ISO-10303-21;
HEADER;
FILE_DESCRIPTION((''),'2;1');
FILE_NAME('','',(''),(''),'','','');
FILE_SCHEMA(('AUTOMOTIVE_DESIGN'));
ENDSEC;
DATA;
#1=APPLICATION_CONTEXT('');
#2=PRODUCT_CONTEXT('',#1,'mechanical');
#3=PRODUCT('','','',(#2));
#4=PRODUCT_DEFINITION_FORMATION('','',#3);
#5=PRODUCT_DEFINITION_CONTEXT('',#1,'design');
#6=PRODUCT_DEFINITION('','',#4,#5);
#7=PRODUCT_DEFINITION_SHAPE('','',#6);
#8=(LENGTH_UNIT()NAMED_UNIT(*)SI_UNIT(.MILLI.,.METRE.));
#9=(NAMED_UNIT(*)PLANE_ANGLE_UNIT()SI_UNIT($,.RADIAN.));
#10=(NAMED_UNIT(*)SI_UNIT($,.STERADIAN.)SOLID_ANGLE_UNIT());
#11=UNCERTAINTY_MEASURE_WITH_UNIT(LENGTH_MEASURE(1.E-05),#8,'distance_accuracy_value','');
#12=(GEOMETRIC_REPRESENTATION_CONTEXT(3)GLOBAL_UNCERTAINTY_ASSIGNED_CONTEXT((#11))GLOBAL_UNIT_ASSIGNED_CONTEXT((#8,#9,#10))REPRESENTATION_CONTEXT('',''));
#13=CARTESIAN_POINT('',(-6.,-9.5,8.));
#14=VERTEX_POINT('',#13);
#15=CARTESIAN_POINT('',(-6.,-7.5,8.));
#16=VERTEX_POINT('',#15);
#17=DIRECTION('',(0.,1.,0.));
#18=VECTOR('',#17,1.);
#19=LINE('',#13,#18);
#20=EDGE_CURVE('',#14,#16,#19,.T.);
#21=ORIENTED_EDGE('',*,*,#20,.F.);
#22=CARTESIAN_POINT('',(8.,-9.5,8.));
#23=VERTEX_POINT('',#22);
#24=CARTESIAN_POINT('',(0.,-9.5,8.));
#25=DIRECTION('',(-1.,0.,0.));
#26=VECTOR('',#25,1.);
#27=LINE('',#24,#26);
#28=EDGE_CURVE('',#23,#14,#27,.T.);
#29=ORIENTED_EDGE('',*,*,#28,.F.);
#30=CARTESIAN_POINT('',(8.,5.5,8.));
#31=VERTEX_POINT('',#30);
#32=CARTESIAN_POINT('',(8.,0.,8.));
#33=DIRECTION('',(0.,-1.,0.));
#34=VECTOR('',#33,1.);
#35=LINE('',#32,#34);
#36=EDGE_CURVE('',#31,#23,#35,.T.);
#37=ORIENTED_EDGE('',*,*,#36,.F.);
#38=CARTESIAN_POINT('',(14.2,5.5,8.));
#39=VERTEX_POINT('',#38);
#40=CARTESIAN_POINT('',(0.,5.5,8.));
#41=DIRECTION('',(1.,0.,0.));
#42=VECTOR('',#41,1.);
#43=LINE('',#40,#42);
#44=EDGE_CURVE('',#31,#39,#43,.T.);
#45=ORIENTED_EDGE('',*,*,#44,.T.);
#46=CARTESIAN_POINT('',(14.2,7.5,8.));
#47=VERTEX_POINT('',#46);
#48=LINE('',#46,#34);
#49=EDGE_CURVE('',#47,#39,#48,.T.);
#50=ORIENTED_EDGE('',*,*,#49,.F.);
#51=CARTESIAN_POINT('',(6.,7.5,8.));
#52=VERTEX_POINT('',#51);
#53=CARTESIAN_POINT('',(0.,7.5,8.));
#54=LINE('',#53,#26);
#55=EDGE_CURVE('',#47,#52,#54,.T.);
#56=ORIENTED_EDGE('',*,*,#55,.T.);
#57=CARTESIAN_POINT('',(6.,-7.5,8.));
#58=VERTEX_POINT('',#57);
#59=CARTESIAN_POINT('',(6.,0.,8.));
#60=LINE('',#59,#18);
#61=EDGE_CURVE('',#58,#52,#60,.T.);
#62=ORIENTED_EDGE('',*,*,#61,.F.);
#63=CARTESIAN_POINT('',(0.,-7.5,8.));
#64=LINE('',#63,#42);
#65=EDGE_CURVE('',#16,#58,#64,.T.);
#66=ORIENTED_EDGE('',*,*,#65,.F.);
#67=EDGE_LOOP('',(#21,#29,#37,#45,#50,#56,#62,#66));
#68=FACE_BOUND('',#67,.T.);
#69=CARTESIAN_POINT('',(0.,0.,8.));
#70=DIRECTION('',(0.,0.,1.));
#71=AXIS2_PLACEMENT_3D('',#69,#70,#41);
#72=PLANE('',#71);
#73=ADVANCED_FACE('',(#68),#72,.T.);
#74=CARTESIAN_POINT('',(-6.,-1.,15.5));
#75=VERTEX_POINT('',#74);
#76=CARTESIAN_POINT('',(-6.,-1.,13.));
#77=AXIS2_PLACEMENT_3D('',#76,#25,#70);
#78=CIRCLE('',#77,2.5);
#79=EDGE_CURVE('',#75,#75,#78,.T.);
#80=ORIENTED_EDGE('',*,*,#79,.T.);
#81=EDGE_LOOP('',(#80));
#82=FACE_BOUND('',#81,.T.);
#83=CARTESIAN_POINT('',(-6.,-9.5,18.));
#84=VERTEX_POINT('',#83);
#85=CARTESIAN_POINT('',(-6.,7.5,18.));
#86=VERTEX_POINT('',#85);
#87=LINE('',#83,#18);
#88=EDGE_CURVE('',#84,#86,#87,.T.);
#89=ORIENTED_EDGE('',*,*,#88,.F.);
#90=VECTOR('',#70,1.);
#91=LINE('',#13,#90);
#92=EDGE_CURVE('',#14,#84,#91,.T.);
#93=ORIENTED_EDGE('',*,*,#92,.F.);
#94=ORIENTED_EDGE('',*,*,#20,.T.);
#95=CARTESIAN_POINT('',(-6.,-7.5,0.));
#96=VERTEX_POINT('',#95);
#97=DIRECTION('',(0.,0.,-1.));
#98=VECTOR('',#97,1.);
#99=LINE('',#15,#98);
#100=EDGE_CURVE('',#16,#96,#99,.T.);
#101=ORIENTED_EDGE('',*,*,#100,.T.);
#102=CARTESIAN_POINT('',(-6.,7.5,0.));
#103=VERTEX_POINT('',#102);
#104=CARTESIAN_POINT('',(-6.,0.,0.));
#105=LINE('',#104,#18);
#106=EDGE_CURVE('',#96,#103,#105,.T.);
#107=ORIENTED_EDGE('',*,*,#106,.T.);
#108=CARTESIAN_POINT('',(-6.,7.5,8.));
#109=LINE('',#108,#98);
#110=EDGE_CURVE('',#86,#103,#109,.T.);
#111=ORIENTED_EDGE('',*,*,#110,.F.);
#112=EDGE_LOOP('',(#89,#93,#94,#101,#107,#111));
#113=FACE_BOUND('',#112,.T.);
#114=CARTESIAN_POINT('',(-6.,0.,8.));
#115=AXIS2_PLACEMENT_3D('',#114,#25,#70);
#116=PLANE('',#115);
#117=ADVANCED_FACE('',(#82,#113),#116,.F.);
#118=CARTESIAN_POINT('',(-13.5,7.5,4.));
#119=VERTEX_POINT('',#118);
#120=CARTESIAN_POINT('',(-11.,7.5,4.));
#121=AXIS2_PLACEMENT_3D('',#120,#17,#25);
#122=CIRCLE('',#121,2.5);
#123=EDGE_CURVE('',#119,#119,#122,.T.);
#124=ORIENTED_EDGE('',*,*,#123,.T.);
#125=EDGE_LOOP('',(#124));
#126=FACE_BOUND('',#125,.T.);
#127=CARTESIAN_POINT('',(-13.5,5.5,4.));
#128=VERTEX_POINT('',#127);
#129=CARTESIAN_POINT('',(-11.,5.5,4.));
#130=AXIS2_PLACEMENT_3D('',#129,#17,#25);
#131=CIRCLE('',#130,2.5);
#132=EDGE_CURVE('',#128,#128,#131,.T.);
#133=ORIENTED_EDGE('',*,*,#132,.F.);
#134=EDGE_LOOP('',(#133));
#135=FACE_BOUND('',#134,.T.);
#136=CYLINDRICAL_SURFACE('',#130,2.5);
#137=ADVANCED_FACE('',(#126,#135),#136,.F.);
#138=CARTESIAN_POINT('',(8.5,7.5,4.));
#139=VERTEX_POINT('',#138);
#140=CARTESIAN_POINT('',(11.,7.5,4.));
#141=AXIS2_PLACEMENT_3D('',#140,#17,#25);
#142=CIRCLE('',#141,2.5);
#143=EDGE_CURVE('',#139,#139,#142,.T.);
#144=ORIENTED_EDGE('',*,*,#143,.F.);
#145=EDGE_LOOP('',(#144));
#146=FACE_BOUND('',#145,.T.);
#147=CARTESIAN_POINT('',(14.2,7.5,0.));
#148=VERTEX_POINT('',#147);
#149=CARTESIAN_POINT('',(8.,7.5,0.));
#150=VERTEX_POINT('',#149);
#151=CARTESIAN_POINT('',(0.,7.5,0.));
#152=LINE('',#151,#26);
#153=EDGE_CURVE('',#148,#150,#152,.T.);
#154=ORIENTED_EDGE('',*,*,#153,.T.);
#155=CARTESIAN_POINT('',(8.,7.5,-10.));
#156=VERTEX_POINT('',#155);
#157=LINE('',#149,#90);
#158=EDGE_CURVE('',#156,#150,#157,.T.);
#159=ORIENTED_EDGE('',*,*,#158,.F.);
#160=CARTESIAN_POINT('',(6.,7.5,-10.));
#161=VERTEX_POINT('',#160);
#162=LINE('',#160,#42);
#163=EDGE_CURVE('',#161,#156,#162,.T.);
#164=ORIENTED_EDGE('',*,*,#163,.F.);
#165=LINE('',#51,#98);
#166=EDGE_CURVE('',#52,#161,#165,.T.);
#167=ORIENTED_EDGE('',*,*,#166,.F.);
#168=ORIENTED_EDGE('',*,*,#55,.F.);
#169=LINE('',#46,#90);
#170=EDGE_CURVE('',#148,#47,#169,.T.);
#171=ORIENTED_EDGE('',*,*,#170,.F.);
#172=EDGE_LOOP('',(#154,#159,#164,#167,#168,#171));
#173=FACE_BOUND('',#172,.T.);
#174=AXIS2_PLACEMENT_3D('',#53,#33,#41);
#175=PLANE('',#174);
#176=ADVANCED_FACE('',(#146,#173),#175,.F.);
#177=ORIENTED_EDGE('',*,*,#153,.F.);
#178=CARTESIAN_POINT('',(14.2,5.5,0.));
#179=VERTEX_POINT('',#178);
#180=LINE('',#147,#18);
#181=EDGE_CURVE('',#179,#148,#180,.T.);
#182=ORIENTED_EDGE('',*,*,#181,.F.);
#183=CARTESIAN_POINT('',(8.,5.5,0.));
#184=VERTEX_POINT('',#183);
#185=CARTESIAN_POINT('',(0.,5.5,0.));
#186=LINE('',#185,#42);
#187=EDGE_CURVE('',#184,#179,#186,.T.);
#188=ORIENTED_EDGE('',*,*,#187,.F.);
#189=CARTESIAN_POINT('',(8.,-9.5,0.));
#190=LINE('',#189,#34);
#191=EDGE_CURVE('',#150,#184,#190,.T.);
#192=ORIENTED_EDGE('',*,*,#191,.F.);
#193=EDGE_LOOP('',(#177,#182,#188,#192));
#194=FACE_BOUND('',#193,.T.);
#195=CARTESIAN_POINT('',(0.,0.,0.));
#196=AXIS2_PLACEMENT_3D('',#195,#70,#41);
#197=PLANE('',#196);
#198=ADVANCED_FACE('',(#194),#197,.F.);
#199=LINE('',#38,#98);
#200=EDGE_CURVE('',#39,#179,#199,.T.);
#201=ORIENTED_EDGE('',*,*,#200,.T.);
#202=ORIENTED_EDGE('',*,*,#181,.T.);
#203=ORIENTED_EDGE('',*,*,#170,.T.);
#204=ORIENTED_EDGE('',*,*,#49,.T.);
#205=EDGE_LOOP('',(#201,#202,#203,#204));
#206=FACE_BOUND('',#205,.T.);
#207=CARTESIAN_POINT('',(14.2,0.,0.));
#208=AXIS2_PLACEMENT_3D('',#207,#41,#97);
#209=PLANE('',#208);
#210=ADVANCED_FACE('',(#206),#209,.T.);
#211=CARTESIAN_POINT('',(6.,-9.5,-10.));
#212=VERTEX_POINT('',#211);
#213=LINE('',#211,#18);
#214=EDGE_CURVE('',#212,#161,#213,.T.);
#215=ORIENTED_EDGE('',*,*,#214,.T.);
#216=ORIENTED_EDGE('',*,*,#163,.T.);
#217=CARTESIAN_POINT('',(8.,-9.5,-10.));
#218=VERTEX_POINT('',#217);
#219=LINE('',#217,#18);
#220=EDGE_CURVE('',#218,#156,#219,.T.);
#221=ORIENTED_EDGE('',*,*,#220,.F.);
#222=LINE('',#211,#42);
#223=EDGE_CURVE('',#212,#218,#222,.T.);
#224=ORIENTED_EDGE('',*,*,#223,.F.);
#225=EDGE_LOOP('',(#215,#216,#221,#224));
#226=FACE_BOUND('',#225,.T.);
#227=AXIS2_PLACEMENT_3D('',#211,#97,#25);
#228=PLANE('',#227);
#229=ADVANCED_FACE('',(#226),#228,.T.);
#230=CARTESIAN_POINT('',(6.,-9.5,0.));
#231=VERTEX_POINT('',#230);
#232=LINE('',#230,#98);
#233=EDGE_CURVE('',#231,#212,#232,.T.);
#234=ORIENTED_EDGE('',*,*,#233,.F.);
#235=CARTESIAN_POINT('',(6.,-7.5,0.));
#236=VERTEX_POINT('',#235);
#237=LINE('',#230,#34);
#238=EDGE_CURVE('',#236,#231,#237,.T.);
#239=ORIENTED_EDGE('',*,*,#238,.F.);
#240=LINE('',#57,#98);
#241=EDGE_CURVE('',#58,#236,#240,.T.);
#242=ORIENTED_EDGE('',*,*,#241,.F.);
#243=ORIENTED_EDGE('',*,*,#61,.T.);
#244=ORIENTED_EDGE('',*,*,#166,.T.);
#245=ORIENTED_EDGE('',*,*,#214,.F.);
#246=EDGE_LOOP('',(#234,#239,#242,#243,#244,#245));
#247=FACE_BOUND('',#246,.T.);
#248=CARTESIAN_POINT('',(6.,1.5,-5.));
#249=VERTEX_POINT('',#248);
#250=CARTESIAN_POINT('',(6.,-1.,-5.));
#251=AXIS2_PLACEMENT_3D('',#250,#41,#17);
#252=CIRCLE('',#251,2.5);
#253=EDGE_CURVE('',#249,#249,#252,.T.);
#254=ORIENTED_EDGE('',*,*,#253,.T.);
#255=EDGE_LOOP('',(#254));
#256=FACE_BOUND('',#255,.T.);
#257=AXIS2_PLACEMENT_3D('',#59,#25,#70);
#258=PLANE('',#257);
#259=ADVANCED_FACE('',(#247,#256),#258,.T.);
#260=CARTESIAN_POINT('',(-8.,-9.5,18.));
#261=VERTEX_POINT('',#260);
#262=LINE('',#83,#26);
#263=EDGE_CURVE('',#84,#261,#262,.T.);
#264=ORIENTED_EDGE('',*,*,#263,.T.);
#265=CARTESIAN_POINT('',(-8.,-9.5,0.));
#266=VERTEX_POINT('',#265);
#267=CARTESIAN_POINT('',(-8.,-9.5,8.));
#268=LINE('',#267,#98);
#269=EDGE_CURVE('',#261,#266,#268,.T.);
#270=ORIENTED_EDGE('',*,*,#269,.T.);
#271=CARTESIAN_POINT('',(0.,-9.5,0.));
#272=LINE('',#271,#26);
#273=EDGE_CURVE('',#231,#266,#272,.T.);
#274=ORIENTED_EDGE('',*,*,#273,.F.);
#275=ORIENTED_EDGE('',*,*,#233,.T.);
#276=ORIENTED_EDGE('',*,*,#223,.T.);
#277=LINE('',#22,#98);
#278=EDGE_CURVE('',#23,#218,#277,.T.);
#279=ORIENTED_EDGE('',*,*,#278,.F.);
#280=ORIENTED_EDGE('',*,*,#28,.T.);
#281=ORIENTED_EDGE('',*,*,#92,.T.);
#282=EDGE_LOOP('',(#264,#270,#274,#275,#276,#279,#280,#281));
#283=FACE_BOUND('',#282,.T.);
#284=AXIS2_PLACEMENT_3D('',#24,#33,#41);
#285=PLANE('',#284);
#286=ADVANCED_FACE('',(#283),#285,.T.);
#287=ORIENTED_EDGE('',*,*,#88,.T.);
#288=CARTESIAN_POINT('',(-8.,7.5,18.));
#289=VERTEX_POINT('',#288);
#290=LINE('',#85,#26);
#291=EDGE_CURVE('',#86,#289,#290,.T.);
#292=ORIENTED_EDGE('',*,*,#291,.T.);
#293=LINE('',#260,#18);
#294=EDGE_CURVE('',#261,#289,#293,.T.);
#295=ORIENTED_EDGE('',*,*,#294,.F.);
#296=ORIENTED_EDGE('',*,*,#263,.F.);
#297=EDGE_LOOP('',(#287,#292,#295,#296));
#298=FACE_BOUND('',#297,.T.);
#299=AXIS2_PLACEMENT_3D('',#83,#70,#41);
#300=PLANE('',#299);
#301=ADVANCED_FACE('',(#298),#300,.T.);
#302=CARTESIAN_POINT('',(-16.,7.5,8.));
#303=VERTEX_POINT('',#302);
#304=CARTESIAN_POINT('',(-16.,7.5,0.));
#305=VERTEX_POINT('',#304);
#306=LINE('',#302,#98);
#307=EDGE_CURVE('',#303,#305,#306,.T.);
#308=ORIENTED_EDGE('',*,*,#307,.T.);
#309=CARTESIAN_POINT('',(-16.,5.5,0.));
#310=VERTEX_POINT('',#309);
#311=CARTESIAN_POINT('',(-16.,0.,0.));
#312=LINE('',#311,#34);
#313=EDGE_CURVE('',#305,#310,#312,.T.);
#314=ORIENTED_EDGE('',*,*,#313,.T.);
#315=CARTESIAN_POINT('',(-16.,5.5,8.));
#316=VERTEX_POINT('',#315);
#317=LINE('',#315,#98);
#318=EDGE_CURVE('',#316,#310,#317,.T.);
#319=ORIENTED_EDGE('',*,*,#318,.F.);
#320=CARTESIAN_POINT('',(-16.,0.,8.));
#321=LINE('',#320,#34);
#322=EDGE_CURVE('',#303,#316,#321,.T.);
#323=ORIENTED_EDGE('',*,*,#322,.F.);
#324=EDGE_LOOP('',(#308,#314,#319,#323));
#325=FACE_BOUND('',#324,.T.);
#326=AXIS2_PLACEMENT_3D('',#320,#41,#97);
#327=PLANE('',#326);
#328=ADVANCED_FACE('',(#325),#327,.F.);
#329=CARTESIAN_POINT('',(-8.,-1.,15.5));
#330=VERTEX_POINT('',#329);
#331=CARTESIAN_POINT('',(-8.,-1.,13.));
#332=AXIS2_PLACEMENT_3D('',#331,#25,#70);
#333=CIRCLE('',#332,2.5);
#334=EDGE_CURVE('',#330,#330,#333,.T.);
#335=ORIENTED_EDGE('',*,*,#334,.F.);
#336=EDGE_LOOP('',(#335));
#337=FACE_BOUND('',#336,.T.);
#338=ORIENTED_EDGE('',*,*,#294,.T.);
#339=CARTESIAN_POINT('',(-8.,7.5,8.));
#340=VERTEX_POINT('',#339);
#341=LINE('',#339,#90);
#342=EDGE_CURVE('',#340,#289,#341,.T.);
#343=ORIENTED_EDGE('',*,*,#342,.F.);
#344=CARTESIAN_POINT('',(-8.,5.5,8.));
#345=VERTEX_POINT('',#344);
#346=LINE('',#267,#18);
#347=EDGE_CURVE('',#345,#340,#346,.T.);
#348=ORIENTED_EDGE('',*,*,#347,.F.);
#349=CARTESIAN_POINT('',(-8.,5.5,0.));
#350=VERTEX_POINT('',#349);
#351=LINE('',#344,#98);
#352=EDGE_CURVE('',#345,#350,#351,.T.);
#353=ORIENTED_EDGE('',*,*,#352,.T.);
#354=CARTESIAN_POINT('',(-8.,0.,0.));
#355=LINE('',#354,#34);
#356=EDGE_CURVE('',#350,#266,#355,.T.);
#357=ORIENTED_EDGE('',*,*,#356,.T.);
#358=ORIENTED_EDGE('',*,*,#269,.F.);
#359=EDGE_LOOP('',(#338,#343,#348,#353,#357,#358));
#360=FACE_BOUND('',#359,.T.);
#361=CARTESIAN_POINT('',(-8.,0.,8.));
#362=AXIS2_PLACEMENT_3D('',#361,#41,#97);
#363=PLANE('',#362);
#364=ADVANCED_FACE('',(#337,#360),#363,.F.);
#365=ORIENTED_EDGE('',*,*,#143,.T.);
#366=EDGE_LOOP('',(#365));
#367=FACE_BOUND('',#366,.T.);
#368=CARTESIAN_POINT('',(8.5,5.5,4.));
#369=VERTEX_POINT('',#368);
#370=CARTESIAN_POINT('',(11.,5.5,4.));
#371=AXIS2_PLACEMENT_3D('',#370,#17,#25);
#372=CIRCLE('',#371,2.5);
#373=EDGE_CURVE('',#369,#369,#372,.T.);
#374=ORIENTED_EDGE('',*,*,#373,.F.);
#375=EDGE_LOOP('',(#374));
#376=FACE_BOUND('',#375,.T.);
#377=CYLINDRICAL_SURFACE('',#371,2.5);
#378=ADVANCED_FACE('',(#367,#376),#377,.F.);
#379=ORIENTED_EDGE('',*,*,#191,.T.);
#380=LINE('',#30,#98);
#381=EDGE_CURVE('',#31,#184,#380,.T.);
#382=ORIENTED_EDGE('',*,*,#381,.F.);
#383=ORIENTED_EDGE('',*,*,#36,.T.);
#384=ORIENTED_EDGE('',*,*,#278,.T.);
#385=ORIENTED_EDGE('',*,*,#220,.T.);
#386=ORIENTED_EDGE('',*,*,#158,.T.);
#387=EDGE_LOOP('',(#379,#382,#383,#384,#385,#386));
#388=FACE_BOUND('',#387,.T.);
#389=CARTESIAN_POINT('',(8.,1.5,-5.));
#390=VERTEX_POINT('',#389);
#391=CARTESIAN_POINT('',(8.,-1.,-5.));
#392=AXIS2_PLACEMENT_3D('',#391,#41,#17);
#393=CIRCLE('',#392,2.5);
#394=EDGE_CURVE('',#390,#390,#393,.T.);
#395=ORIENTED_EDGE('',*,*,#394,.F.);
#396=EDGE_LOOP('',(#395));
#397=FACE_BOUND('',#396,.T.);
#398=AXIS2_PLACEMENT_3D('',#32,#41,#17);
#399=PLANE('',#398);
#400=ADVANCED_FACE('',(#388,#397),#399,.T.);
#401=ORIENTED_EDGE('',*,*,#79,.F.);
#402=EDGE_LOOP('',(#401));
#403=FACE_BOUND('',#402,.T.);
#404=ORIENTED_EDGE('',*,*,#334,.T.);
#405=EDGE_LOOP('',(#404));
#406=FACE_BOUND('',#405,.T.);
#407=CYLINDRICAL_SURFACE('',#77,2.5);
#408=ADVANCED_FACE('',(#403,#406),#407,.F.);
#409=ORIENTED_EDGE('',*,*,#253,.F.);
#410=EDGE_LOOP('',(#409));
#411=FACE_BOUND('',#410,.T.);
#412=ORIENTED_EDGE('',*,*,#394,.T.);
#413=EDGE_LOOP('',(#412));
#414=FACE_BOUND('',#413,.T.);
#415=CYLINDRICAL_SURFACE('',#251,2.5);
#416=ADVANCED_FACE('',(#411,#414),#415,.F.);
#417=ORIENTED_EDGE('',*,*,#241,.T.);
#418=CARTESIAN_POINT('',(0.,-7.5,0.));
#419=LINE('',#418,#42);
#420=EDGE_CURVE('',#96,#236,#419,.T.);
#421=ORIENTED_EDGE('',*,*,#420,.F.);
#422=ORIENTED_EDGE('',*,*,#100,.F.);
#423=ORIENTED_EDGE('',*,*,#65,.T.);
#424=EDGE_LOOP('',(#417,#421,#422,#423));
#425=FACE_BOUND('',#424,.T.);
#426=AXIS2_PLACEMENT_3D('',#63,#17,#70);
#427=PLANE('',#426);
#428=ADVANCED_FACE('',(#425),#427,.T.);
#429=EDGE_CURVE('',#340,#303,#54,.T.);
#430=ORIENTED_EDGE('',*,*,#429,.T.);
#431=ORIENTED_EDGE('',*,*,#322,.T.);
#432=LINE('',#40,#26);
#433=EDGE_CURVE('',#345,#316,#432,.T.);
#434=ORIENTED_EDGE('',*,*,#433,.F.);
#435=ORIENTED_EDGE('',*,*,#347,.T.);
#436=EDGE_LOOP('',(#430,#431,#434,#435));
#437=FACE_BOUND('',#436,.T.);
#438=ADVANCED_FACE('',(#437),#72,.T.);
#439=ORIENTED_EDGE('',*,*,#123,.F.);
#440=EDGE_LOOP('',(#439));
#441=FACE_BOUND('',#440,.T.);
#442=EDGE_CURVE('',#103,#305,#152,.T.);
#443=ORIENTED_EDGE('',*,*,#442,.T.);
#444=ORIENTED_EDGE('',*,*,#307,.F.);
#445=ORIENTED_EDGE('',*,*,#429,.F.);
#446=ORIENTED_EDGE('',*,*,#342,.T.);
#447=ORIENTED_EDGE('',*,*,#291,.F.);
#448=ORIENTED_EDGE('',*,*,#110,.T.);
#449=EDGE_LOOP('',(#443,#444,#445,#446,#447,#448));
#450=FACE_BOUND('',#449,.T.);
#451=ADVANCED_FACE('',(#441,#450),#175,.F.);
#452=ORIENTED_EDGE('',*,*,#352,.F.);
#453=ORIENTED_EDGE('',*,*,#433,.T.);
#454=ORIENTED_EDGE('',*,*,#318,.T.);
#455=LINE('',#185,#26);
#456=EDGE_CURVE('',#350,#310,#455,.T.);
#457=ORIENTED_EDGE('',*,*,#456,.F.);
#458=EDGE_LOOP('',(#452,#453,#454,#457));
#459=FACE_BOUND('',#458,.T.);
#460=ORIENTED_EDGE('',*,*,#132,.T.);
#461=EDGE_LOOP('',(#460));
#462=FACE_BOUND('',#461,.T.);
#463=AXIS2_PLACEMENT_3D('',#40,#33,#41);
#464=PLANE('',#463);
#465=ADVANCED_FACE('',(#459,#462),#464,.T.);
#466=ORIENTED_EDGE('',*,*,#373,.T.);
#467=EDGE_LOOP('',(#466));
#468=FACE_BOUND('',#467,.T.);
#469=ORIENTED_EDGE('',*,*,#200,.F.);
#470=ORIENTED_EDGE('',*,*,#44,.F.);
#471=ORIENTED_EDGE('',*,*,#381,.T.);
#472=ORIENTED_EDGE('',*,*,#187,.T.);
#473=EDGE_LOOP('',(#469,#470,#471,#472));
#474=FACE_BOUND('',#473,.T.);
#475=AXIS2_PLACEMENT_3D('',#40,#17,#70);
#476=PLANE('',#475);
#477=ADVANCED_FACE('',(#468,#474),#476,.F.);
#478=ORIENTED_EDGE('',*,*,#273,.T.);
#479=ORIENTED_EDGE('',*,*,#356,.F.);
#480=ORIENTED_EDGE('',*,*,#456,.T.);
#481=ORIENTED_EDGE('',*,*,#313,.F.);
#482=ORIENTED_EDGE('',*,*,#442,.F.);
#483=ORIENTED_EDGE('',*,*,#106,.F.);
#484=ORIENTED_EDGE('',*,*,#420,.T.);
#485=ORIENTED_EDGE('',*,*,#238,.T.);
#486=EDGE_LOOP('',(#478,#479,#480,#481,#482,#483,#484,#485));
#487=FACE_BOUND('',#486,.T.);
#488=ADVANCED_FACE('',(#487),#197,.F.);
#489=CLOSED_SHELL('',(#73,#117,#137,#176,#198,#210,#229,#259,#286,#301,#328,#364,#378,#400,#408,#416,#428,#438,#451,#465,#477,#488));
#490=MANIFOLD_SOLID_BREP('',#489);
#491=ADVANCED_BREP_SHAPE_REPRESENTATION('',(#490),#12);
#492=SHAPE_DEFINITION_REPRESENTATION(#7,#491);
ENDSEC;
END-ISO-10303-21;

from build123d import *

# Parameters (mm, degrees)
CROQUIS1_W              = 8
CROQUIS1_H              = 2
SALIENTE_EXTRUIR1_DEPTH = 8
CROQUIS2_R              = 2.5
CORTAR_EXTRUIR1_DEPTH   = 2
SKETCH1_W               = 8
SKETCH1_H               = 2
CUT_EXTRUDE1_DEPTH      = 1.8
SKETCH5_W               = 10
SKETCH5_H               = 17
BOSS_EXTRUDE3_DEPTH     = 2
SKETCH6_W               = 10
SKETCH6_H               = 17
SKETCH6_R               = 2.5
BOSS_EXTRUDE4_DEPTH     = 2
SKETCH7_R               = 2.5
CUT_EXTRUDE2_DEPTH      = 2


with BuildPart() as part:
    # Croquis1 → Saliente-Extruir1 (new body)
    with BuildSketch(Plane.XY):
        with Locations((-12, 6.5)):
            Rectangle(CROQUIS1_W, CROQUIS1_H)
        Polygon((-6, 7.5), (-8, 7.5), (-8, 5.5), (-8, -9.5), (8, -9.5), (8, 5.5), (8, 7.5), (6, 7.5), (6, -7.5), (-6, -7.5), align=None)
        with Locations((12, 6.5)):
            Rectangle(CROQUIS1_W, CROQUIS1_H)
    extrude(amount=SALIENTE_EXTRUIR1_DEPTH)

    # Croquis2 → Cortar-Extruir1 (cut)
    with BuildSketch(Plane(origin=(0, 7.5, 0), x_dir=(1, 0, 0), z_dir=(0, 1, 0))):
        with Locations((-11, -4)):
            Circle(CROQUIS2_R)
        with Locations((11, -4)):
            Circle(CROQUIS2_R)
    extrude(amount=-CORTAR_EXTRUIR1_DEPTH, mode=Mode.SUBTRACT)

    # Sketch1 → Cut-Extrude1 (cut)
    with BuildSketch(Plane(origin=(16, 0, 0), x_dir=(0, 0, -1), z_dir=(1, 0, 0))):
        with Locations((-4, 6.5)):
            Rectangle(SKETCH1_W, SKETCH1_H)
    extrude(amount=-CUT_EXTRUDE1_DEPTH, mode=Mode.SUBTRACT)

    # Sketch5 → Boss-Extrude3 (add)
    with BuildSketch(Plane.ZY.offset(8)):
        with Locations((13, -1)):
            Rectangle(SKETCH5_W, SKETCH5_H)
    extrude(amount=-BOSS_EXTRUDE3_DEPTH)

    # Sketch6 → Boss-Extrude4 (add)
    with BuildSketch(Plane(origin=(8, 0, 0), x_dir=(0, 0, -1), z_dir=(1, 0, 0))):
        with Locations((5, -1)):
            Rectangle(SKETCH6_W, SKETCH6_H)
        with Locations((5, -1)):
            Circle(SKETCH6_R, mode=Mode.SUBTRACT)
    extrude(amount=-BOSS_EXTRUDE4_DEPTH)

    # Sketch7 → Cut-Extrude2 (cut)
    with BuildSketch(Plane.ZY.offset(8)):
        with Locations((13, -1)):
            Circle(SKETCH7_R)
    extrude(amount=-CUT_EXTRUDE2_DEPTH, mode=Mode.SUBTRACT)


solid = part.part
